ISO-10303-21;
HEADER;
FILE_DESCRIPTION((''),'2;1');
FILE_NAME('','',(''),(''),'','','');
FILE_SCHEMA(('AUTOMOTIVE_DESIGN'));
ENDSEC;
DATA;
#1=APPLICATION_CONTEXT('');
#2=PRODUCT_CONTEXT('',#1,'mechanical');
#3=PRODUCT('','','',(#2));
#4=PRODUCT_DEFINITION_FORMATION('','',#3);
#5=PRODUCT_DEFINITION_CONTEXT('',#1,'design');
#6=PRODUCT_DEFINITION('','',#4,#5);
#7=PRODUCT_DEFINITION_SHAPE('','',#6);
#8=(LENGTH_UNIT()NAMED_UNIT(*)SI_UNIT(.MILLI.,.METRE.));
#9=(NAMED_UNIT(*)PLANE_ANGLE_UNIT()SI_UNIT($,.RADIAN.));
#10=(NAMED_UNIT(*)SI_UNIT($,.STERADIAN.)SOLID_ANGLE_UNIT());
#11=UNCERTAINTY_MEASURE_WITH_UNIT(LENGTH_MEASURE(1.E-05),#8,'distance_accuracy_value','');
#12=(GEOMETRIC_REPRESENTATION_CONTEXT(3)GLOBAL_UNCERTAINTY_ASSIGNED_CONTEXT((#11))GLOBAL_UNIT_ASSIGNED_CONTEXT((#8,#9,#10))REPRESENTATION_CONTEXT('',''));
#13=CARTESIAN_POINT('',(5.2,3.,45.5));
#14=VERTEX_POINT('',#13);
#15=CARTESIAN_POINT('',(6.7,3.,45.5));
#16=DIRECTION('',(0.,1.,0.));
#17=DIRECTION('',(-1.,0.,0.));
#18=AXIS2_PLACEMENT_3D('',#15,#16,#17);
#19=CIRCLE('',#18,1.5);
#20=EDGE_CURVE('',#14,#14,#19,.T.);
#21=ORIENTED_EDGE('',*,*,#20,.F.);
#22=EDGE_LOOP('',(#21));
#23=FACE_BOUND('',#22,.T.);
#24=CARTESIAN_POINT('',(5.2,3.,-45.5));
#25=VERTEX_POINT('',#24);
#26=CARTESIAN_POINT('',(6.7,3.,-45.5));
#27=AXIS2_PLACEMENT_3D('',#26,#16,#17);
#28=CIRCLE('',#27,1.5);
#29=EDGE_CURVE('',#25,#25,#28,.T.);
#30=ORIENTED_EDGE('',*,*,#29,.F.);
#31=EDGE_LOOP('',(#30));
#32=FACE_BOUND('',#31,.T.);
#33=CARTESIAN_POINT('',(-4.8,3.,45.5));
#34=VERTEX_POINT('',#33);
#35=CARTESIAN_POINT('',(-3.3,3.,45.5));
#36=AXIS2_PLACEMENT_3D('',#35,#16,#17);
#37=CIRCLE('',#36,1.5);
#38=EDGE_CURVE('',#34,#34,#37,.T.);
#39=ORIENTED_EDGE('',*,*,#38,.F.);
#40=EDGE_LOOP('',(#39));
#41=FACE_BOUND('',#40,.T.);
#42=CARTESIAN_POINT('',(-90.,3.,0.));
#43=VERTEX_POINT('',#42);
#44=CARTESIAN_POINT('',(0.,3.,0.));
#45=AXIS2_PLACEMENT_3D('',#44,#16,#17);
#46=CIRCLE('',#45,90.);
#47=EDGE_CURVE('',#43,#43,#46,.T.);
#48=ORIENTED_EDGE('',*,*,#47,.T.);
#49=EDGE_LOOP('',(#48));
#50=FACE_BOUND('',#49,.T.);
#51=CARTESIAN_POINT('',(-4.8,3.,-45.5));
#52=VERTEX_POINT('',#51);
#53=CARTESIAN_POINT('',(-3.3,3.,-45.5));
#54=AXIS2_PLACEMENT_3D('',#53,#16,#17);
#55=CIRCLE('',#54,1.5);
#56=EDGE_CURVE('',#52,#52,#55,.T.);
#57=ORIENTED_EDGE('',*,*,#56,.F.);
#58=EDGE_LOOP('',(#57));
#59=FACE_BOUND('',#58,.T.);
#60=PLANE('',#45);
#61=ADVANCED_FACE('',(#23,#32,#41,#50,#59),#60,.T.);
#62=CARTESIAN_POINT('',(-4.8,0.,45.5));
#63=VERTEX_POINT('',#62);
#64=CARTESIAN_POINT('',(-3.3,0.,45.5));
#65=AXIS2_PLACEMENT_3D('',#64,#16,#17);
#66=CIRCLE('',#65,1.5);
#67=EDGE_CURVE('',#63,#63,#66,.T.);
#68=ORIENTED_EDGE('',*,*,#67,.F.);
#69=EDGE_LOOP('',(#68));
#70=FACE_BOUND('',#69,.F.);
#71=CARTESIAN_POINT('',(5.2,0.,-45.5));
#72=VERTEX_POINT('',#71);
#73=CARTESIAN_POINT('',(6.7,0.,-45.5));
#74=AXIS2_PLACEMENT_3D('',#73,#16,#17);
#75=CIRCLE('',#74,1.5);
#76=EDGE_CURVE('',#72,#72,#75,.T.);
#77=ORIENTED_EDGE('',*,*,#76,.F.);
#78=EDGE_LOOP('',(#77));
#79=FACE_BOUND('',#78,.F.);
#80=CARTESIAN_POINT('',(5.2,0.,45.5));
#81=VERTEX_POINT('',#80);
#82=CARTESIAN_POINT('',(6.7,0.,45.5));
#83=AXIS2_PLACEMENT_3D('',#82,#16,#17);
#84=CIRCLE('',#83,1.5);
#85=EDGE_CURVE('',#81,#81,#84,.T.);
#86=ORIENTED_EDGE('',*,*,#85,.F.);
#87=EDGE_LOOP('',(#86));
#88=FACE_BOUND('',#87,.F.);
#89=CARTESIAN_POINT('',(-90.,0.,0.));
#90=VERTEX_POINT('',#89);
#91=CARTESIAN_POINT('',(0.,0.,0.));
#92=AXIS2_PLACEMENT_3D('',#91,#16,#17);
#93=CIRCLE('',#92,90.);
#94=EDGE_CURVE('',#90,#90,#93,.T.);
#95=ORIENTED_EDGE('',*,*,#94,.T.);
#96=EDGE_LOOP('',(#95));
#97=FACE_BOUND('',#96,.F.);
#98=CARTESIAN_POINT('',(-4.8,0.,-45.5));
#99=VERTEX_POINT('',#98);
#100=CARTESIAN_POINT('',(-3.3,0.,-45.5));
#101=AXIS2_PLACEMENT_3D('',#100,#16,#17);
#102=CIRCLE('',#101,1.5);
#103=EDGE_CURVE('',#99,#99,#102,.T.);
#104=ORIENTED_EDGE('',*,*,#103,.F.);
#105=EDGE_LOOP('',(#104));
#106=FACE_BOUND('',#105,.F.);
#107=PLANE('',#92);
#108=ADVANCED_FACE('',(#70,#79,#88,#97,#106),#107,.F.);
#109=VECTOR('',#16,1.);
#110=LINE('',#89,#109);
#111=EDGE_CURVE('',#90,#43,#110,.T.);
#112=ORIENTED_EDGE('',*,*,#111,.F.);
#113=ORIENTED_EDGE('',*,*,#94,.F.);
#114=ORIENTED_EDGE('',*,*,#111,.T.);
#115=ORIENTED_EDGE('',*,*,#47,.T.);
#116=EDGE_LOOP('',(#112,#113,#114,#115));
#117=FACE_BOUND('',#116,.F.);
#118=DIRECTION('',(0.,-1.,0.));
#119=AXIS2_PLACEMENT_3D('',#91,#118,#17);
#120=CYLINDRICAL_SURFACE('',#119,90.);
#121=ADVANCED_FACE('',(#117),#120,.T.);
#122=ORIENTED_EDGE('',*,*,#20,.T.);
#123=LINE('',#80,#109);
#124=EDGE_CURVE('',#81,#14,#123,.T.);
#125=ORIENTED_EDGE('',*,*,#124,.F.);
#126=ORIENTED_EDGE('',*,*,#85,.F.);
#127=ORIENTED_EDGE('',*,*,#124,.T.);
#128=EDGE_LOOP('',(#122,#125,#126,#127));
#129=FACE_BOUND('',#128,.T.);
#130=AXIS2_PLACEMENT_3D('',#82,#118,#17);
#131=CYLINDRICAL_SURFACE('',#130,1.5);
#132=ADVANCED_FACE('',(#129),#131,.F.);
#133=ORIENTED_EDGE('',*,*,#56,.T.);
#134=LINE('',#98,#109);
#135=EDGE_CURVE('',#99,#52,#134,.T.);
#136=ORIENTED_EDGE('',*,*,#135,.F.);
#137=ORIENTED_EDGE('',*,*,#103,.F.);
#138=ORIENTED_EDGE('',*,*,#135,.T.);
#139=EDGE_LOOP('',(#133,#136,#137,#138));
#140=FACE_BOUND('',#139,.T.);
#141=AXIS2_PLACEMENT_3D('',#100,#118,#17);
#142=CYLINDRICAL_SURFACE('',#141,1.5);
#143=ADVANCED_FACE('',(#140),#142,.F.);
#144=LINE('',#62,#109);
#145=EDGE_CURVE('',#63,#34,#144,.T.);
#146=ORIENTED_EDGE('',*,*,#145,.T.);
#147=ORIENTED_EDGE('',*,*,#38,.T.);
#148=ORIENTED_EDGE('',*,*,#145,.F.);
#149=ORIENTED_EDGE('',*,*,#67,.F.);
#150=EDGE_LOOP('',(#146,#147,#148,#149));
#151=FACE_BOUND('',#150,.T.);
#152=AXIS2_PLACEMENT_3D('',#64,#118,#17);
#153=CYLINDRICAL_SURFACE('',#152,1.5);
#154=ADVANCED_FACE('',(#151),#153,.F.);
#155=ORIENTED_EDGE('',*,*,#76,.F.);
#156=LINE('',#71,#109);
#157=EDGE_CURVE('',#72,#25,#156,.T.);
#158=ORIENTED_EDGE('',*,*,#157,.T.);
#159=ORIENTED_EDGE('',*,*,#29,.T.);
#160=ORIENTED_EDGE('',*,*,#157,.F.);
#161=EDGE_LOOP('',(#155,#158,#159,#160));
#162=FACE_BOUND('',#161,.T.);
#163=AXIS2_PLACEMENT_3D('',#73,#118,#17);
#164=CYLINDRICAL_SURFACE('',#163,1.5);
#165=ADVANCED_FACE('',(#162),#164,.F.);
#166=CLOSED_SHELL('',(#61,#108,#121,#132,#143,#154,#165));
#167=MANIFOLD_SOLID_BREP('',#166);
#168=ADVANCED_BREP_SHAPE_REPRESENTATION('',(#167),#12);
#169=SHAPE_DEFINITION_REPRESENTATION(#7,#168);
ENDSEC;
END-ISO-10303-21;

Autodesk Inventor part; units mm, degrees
ref_plane "YZ Plane" through (0, 0, 0) normal (1, 0, 0) x (0, 1, 0)
ref_plane "XZ Plane" through (0, 0, 0) normal (0, 1, 0) x (-1, 0, 0)
ref_plane "XY Plane" through (0, 0, 0) normal (0, 0, 1) x (1, 0, 0)
sketch "Sketch1" plane through (0, 0, 0) normal (0, 1, 0) x (-1, 0, 0)
  circle A0 centre (0, 0) radius 90
  line L0 (0, 0) -> (3.3, 0) construction
  line L1 (3.3, 0) -> (3.3, 45.5) construction
  circle A1 centre (3.3, 45.5) radius 1.5
  line L2 (3.3, 45.5) -> (-6.7, 45.5) construction
  circle A2 centre (-6.7, 45.5) radius 1.5
  line L3 (3.3, 0) -> (3.3, -45.5) construction
  circle A3 centre (3.3, -45.5) radius 1.5
  line L4 (3.3, -45.5) -> (-6.7, -45.5) construction
  circle A4 centre (-6.7, -45.5) radius 1.5
  dimension "d0" = 180
  dimension "d1" = 3.3
  dimension "d2" = 45.5
  dimension "d3" = 3
  dimension "d4" = 10
  dimension "d5" = 3
  dimension "d6" = 45.5
  dimension "d7" = 3
  dimension "d8" = 10
  dimension "d9" = 3
extrude "Extrusion1" add sketch "Sketch1" along normal blind 3
properties part number "hiago_tampassl2"
